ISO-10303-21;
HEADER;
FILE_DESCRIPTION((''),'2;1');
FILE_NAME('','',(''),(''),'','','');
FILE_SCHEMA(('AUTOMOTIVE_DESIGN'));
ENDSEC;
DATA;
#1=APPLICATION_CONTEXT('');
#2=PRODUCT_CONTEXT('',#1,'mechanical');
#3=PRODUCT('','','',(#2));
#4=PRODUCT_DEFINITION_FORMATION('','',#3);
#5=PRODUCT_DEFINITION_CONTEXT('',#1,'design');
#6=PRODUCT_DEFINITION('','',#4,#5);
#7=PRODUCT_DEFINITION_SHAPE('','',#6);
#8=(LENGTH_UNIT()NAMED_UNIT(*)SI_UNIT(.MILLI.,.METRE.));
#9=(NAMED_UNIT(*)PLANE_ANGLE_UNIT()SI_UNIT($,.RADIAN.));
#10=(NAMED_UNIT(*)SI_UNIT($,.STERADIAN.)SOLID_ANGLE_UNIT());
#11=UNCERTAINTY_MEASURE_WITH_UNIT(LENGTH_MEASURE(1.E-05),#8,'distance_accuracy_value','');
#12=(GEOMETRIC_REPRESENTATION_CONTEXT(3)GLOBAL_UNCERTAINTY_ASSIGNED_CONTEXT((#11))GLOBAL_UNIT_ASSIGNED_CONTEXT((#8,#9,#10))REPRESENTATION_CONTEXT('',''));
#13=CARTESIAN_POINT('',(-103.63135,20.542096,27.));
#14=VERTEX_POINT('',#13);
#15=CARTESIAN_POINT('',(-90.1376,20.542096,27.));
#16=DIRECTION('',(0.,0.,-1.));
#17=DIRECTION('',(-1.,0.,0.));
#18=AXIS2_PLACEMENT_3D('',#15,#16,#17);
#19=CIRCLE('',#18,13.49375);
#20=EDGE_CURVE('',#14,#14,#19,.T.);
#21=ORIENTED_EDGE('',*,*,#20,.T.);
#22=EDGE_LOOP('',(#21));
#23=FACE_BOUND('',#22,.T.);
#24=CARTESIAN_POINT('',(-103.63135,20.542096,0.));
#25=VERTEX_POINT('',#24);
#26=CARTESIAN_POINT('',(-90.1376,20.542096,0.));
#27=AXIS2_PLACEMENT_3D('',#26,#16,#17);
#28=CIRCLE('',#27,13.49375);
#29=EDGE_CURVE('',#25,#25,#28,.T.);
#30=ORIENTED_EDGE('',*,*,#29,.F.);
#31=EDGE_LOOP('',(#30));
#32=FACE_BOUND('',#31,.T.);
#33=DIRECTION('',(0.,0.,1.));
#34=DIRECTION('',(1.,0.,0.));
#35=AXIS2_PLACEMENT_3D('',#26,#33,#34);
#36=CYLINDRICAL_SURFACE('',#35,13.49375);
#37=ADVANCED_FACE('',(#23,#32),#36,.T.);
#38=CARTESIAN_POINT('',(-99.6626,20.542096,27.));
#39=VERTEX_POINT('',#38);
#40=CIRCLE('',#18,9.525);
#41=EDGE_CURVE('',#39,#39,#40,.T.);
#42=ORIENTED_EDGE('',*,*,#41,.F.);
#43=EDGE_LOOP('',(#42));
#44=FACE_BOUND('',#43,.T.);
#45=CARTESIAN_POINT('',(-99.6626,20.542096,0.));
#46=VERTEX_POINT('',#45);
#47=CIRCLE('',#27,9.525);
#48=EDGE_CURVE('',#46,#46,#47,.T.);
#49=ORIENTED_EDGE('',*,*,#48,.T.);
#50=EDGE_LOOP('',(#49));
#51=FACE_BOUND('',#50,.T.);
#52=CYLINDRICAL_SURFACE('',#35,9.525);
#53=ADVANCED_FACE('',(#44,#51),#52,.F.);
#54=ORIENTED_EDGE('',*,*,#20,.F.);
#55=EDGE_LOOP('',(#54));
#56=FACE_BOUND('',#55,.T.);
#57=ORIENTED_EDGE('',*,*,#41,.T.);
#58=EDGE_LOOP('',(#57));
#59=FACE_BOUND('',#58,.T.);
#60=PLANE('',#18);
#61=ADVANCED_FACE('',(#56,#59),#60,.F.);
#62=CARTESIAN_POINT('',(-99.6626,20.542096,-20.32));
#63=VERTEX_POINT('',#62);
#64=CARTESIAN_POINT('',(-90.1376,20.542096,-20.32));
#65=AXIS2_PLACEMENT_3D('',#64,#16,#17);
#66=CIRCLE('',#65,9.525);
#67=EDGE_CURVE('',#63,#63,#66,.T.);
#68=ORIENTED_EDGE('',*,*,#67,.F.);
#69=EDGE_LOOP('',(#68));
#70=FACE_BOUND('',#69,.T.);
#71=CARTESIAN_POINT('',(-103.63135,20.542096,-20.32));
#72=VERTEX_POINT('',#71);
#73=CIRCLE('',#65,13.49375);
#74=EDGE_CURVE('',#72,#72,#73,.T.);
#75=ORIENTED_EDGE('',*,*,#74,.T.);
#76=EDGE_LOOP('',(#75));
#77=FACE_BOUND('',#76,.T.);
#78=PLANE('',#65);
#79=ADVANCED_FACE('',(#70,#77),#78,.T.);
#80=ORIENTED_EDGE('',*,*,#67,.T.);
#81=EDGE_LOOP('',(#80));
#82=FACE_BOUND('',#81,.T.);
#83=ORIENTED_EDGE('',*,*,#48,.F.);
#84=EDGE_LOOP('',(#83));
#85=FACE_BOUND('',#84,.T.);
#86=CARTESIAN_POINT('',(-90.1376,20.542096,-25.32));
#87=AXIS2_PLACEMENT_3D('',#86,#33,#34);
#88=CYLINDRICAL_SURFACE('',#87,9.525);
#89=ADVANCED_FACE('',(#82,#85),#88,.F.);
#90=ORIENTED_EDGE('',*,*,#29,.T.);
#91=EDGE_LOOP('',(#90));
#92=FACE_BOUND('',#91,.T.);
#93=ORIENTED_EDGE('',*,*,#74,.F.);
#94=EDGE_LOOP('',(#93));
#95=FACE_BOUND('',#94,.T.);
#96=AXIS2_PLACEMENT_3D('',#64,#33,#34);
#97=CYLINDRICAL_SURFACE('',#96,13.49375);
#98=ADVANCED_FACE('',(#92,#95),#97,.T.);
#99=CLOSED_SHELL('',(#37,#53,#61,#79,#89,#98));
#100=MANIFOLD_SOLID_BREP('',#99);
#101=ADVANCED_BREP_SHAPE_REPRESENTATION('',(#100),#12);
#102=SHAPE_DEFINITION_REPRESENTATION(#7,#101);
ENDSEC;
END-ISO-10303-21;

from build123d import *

# Parameters (mm, degrees)
SWEEP1_PROFILE_R     = 13.49375
CUT_SWEEP1_PROFILE_R = 9.525


with BuildPart() as part:
    # Sweep1: sweep along a curve in space
    with BuildLine() as sweep1_path:
        Line((-90.137600423, 20.542096307, 0), (-90.137600423, 20.542096307, -20.32))
        Line((-90.137600423, 20.542096307, 0), (-90.137600423, 20.542096307, 27.000000342))
    # Sweep1 profile (on start of the path) → Sweep1 (sweep)
    with BuildSketch(Plane(origin=(-90.137600423, 20.542096307, 27.000000342), x_dir=(-1.0, 0, 2.9384889211061883e-12), z_dir=(-2.9384889211061883e-12, 2.864276680755844e-12, -1.0))):
        Circle(SWEEP1_PROFILE_R)
    sweep(path=sweep1_path.line)

    # Cut-Sweep1: sweep along a curve in space
    with BuildLine() as cut_sweep1_path:
        Line((-90.137600423, 20.542096307, 0), (-90.137600423, 20.542096307, -20.32))
        Line((-90.137600423, 20.542096307, 0), (-90.137600423, 20.542096307, 27.000000342))
    # Cut-Sweep1 profile (on start of the path) → Cut-Sweep1 (sweep, cut)
    with BuildSketch(Plane(origin=(-90.137600423, 20.542096307, 27.000000342), x_dir=(-1.0, 0, 2.9384889211061883e-12), z_dir=(-2.9384889211061883e-12, 2.864276680755844e-12, -1.0))):
        Circle(CUT_SWEEP1_PROFILE_R)
    sweep(path=cut_sweep1_path.line, mode=Mode.SUBTRACT)


solid = part.part
